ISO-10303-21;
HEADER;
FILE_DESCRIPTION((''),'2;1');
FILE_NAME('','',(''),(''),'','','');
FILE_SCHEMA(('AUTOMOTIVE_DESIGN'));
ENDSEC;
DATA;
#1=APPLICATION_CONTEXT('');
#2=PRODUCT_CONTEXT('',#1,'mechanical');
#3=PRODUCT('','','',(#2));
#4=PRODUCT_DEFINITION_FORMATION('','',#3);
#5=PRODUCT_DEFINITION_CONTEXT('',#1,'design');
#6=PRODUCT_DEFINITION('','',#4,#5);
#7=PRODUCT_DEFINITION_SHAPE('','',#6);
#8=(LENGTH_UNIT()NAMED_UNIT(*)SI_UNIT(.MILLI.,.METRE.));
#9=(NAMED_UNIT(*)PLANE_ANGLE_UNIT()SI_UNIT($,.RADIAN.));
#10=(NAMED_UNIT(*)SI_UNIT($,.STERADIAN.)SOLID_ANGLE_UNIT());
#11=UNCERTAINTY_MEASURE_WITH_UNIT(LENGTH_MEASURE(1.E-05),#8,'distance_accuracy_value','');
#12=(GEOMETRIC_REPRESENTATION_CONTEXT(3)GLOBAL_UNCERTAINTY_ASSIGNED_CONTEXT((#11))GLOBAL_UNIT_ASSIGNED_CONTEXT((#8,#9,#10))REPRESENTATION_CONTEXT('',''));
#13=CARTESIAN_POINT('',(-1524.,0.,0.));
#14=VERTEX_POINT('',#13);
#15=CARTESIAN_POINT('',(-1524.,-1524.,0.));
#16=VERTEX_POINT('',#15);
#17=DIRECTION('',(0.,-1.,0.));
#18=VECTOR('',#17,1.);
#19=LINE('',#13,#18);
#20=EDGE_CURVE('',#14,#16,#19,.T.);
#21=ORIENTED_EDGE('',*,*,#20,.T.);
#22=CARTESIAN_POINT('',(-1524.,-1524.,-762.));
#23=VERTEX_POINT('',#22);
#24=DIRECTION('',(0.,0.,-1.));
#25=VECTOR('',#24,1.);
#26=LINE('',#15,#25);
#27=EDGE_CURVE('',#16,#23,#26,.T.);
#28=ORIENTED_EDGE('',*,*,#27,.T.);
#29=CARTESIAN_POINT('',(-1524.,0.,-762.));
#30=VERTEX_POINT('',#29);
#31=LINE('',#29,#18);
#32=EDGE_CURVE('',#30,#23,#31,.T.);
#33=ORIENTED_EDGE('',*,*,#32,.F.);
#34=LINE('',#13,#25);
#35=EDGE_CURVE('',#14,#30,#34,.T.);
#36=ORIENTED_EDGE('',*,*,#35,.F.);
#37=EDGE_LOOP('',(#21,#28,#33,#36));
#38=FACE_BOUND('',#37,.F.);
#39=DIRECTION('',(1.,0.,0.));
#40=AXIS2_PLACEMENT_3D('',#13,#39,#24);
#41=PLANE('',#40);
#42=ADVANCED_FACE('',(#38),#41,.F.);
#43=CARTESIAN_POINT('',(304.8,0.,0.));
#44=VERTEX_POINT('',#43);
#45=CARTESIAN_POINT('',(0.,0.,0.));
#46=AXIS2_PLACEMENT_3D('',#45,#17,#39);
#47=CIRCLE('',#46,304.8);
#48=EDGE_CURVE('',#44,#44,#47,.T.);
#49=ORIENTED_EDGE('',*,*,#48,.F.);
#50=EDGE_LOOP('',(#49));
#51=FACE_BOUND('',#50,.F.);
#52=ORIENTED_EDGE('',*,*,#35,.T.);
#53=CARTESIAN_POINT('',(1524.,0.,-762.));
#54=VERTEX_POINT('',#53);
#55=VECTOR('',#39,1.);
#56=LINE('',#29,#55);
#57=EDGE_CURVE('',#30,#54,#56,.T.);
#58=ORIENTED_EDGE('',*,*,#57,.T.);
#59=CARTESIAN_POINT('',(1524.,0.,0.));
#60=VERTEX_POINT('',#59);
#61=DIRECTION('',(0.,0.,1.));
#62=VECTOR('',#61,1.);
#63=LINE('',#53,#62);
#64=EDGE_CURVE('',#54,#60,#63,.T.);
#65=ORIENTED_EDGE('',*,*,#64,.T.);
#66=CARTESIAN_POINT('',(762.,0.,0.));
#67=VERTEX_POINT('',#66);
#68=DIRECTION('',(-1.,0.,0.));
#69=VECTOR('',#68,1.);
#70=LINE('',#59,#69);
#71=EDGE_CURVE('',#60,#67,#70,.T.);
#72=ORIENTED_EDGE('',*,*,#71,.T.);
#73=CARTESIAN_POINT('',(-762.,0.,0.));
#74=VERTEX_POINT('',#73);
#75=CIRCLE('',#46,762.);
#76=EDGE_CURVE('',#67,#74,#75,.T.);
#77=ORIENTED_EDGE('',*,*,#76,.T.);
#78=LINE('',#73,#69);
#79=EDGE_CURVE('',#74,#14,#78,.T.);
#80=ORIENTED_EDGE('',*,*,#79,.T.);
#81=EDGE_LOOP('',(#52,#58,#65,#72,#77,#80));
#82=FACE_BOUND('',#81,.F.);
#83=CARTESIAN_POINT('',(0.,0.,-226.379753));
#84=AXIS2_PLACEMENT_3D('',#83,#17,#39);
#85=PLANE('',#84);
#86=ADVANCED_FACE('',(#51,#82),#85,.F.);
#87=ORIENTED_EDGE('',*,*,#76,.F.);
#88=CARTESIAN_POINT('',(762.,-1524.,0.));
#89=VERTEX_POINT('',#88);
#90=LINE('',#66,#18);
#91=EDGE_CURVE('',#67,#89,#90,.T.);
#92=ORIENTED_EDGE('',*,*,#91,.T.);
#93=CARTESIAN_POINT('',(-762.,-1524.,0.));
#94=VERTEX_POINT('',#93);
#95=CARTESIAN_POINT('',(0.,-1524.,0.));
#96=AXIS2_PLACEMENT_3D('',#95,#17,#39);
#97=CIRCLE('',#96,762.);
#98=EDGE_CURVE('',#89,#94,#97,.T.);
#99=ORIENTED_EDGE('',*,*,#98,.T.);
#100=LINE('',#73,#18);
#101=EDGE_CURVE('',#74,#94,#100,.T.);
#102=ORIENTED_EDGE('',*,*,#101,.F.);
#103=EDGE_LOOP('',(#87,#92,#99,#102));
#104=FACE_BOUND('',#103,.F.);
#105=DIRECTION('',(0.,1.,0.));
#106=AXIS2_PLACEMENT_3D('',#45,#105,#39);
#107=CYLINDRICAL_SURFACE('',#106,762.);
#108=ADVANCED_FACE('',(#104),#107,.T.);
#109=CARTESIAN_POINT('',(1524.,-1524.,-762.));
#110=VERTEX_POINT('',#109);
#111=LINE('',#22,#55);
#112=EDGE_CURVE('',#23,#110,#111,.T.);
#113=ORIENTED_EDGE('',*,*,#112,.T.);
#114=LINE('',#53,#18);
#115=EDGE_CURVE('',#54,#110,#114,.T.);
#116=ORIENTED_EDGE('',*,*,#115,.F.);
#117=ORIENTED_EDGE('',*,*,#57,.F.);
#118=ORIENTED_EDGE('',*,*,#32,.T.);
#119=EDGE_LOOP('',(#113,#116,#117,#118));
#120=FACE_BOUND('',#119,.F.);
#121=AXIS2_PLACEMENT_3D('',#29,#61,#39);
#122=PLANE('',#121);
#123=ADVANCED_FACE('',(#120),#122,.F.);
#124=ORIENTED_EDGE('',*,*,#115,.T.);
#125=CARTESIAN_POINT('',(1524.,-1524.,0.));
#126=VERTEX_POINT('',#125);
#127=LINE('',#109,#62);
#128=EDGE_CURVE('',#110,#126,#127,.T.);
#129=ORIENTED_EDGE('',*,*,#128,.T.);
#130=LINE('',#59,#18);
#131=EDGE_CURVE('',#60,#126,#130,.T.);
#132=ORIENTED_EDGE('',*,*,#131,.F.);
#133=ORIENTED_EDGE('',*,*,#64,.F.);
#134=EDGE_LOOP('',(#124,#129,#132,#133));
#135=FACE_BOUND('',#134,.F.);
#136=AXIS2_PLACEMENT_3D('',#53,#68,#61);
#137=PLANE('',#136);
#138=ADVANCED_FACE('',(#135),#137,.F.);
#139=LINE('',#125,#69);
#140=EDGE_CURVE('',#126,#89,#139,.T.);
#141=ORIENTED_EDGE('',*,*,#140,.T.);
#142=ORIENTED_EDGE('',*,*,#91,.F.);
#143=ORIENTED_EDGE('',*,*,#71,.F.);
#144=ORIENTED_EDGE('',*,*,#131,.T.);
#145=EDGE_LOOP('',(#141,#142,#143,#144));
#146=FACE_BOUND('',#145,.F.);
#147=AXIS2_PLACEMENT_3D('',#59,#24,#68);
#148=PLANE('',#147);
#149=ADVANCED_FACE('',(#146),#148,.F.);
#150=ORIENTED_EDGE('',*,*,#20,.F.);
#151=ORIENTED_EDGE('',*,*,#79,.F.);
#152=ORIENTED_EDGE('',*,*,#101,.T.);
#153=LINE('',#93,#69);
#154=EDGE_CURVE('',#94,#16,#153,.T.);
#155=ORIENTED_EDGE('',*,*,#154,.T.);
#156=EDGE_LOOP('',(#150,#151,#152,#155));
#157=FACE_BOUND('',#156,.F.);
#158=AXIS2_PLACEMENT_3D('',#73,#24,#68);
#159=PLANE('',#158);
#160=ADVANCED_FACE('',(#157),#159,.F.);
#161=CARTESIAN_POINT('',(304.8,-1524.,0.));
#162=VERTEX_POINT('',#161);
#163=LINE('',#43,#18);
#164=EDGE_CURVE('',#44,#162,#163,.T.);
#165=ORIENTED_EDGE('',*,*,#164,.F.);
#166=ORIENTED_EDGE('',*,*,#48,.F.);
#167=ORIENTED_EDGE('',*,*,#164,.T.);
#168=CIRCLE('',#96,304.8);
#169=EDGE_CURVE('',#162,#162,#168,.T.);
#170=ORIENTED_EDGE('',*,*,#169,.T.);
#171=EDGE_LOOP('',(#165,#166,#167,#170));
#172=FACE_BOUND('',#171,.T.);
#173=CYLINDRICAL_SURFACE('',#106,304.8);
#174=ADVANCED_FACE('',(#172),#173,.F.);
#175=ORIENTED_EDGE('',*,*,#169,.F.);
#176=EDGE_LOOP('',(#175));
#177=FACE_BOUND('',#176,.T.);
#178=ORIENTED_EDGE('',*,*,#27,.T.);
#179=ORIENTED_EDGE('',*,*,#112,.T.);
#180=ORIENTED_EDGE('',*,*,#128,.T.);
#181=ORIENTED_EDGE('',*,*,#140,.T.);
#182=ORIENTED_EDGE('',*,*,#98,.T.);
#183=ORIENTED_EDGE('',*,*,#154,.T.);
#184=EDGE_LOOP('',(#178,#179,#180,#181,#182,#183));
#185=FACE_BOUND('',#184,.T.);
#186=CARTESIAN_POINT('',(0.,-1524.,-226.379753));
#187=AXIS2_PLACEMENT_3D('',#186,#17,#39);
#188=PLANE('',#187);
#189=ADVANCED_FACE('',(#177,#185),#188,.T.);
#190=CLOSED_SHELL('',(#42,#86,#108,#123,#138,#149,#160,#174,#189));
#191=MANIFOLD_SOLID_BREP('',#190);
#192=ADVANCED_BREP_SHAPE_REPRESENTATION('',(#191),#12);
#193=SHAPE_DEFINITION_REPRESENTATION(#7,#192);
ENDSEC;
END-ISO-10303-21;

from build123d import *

# Parameters (mm, degrees)
F0_R     = 304.8
F1_DEPTH = 1524


with BuildPart() as f1:
    # F0 (on Front) → F1 (new body)
    with BuildSketch(Plane.XZ):
        with BuildLine():
            Line((1524, 0), (762, 0))
            ThreePointArc((762, 0), (0, 762), (-762, 0))
            Line((-762, 0), (-1524, 0))
            Line((-1524, 0), (-1524, -762))
            Line((-1524, -762), (1524, -762))
            Line((1524, -762), (1524, 0))
        make_face()
        Circle(F0_R, mode=Mode.SUBTRACT)
    extrude(amount=F1_DEPTH)


solid = f1.part
